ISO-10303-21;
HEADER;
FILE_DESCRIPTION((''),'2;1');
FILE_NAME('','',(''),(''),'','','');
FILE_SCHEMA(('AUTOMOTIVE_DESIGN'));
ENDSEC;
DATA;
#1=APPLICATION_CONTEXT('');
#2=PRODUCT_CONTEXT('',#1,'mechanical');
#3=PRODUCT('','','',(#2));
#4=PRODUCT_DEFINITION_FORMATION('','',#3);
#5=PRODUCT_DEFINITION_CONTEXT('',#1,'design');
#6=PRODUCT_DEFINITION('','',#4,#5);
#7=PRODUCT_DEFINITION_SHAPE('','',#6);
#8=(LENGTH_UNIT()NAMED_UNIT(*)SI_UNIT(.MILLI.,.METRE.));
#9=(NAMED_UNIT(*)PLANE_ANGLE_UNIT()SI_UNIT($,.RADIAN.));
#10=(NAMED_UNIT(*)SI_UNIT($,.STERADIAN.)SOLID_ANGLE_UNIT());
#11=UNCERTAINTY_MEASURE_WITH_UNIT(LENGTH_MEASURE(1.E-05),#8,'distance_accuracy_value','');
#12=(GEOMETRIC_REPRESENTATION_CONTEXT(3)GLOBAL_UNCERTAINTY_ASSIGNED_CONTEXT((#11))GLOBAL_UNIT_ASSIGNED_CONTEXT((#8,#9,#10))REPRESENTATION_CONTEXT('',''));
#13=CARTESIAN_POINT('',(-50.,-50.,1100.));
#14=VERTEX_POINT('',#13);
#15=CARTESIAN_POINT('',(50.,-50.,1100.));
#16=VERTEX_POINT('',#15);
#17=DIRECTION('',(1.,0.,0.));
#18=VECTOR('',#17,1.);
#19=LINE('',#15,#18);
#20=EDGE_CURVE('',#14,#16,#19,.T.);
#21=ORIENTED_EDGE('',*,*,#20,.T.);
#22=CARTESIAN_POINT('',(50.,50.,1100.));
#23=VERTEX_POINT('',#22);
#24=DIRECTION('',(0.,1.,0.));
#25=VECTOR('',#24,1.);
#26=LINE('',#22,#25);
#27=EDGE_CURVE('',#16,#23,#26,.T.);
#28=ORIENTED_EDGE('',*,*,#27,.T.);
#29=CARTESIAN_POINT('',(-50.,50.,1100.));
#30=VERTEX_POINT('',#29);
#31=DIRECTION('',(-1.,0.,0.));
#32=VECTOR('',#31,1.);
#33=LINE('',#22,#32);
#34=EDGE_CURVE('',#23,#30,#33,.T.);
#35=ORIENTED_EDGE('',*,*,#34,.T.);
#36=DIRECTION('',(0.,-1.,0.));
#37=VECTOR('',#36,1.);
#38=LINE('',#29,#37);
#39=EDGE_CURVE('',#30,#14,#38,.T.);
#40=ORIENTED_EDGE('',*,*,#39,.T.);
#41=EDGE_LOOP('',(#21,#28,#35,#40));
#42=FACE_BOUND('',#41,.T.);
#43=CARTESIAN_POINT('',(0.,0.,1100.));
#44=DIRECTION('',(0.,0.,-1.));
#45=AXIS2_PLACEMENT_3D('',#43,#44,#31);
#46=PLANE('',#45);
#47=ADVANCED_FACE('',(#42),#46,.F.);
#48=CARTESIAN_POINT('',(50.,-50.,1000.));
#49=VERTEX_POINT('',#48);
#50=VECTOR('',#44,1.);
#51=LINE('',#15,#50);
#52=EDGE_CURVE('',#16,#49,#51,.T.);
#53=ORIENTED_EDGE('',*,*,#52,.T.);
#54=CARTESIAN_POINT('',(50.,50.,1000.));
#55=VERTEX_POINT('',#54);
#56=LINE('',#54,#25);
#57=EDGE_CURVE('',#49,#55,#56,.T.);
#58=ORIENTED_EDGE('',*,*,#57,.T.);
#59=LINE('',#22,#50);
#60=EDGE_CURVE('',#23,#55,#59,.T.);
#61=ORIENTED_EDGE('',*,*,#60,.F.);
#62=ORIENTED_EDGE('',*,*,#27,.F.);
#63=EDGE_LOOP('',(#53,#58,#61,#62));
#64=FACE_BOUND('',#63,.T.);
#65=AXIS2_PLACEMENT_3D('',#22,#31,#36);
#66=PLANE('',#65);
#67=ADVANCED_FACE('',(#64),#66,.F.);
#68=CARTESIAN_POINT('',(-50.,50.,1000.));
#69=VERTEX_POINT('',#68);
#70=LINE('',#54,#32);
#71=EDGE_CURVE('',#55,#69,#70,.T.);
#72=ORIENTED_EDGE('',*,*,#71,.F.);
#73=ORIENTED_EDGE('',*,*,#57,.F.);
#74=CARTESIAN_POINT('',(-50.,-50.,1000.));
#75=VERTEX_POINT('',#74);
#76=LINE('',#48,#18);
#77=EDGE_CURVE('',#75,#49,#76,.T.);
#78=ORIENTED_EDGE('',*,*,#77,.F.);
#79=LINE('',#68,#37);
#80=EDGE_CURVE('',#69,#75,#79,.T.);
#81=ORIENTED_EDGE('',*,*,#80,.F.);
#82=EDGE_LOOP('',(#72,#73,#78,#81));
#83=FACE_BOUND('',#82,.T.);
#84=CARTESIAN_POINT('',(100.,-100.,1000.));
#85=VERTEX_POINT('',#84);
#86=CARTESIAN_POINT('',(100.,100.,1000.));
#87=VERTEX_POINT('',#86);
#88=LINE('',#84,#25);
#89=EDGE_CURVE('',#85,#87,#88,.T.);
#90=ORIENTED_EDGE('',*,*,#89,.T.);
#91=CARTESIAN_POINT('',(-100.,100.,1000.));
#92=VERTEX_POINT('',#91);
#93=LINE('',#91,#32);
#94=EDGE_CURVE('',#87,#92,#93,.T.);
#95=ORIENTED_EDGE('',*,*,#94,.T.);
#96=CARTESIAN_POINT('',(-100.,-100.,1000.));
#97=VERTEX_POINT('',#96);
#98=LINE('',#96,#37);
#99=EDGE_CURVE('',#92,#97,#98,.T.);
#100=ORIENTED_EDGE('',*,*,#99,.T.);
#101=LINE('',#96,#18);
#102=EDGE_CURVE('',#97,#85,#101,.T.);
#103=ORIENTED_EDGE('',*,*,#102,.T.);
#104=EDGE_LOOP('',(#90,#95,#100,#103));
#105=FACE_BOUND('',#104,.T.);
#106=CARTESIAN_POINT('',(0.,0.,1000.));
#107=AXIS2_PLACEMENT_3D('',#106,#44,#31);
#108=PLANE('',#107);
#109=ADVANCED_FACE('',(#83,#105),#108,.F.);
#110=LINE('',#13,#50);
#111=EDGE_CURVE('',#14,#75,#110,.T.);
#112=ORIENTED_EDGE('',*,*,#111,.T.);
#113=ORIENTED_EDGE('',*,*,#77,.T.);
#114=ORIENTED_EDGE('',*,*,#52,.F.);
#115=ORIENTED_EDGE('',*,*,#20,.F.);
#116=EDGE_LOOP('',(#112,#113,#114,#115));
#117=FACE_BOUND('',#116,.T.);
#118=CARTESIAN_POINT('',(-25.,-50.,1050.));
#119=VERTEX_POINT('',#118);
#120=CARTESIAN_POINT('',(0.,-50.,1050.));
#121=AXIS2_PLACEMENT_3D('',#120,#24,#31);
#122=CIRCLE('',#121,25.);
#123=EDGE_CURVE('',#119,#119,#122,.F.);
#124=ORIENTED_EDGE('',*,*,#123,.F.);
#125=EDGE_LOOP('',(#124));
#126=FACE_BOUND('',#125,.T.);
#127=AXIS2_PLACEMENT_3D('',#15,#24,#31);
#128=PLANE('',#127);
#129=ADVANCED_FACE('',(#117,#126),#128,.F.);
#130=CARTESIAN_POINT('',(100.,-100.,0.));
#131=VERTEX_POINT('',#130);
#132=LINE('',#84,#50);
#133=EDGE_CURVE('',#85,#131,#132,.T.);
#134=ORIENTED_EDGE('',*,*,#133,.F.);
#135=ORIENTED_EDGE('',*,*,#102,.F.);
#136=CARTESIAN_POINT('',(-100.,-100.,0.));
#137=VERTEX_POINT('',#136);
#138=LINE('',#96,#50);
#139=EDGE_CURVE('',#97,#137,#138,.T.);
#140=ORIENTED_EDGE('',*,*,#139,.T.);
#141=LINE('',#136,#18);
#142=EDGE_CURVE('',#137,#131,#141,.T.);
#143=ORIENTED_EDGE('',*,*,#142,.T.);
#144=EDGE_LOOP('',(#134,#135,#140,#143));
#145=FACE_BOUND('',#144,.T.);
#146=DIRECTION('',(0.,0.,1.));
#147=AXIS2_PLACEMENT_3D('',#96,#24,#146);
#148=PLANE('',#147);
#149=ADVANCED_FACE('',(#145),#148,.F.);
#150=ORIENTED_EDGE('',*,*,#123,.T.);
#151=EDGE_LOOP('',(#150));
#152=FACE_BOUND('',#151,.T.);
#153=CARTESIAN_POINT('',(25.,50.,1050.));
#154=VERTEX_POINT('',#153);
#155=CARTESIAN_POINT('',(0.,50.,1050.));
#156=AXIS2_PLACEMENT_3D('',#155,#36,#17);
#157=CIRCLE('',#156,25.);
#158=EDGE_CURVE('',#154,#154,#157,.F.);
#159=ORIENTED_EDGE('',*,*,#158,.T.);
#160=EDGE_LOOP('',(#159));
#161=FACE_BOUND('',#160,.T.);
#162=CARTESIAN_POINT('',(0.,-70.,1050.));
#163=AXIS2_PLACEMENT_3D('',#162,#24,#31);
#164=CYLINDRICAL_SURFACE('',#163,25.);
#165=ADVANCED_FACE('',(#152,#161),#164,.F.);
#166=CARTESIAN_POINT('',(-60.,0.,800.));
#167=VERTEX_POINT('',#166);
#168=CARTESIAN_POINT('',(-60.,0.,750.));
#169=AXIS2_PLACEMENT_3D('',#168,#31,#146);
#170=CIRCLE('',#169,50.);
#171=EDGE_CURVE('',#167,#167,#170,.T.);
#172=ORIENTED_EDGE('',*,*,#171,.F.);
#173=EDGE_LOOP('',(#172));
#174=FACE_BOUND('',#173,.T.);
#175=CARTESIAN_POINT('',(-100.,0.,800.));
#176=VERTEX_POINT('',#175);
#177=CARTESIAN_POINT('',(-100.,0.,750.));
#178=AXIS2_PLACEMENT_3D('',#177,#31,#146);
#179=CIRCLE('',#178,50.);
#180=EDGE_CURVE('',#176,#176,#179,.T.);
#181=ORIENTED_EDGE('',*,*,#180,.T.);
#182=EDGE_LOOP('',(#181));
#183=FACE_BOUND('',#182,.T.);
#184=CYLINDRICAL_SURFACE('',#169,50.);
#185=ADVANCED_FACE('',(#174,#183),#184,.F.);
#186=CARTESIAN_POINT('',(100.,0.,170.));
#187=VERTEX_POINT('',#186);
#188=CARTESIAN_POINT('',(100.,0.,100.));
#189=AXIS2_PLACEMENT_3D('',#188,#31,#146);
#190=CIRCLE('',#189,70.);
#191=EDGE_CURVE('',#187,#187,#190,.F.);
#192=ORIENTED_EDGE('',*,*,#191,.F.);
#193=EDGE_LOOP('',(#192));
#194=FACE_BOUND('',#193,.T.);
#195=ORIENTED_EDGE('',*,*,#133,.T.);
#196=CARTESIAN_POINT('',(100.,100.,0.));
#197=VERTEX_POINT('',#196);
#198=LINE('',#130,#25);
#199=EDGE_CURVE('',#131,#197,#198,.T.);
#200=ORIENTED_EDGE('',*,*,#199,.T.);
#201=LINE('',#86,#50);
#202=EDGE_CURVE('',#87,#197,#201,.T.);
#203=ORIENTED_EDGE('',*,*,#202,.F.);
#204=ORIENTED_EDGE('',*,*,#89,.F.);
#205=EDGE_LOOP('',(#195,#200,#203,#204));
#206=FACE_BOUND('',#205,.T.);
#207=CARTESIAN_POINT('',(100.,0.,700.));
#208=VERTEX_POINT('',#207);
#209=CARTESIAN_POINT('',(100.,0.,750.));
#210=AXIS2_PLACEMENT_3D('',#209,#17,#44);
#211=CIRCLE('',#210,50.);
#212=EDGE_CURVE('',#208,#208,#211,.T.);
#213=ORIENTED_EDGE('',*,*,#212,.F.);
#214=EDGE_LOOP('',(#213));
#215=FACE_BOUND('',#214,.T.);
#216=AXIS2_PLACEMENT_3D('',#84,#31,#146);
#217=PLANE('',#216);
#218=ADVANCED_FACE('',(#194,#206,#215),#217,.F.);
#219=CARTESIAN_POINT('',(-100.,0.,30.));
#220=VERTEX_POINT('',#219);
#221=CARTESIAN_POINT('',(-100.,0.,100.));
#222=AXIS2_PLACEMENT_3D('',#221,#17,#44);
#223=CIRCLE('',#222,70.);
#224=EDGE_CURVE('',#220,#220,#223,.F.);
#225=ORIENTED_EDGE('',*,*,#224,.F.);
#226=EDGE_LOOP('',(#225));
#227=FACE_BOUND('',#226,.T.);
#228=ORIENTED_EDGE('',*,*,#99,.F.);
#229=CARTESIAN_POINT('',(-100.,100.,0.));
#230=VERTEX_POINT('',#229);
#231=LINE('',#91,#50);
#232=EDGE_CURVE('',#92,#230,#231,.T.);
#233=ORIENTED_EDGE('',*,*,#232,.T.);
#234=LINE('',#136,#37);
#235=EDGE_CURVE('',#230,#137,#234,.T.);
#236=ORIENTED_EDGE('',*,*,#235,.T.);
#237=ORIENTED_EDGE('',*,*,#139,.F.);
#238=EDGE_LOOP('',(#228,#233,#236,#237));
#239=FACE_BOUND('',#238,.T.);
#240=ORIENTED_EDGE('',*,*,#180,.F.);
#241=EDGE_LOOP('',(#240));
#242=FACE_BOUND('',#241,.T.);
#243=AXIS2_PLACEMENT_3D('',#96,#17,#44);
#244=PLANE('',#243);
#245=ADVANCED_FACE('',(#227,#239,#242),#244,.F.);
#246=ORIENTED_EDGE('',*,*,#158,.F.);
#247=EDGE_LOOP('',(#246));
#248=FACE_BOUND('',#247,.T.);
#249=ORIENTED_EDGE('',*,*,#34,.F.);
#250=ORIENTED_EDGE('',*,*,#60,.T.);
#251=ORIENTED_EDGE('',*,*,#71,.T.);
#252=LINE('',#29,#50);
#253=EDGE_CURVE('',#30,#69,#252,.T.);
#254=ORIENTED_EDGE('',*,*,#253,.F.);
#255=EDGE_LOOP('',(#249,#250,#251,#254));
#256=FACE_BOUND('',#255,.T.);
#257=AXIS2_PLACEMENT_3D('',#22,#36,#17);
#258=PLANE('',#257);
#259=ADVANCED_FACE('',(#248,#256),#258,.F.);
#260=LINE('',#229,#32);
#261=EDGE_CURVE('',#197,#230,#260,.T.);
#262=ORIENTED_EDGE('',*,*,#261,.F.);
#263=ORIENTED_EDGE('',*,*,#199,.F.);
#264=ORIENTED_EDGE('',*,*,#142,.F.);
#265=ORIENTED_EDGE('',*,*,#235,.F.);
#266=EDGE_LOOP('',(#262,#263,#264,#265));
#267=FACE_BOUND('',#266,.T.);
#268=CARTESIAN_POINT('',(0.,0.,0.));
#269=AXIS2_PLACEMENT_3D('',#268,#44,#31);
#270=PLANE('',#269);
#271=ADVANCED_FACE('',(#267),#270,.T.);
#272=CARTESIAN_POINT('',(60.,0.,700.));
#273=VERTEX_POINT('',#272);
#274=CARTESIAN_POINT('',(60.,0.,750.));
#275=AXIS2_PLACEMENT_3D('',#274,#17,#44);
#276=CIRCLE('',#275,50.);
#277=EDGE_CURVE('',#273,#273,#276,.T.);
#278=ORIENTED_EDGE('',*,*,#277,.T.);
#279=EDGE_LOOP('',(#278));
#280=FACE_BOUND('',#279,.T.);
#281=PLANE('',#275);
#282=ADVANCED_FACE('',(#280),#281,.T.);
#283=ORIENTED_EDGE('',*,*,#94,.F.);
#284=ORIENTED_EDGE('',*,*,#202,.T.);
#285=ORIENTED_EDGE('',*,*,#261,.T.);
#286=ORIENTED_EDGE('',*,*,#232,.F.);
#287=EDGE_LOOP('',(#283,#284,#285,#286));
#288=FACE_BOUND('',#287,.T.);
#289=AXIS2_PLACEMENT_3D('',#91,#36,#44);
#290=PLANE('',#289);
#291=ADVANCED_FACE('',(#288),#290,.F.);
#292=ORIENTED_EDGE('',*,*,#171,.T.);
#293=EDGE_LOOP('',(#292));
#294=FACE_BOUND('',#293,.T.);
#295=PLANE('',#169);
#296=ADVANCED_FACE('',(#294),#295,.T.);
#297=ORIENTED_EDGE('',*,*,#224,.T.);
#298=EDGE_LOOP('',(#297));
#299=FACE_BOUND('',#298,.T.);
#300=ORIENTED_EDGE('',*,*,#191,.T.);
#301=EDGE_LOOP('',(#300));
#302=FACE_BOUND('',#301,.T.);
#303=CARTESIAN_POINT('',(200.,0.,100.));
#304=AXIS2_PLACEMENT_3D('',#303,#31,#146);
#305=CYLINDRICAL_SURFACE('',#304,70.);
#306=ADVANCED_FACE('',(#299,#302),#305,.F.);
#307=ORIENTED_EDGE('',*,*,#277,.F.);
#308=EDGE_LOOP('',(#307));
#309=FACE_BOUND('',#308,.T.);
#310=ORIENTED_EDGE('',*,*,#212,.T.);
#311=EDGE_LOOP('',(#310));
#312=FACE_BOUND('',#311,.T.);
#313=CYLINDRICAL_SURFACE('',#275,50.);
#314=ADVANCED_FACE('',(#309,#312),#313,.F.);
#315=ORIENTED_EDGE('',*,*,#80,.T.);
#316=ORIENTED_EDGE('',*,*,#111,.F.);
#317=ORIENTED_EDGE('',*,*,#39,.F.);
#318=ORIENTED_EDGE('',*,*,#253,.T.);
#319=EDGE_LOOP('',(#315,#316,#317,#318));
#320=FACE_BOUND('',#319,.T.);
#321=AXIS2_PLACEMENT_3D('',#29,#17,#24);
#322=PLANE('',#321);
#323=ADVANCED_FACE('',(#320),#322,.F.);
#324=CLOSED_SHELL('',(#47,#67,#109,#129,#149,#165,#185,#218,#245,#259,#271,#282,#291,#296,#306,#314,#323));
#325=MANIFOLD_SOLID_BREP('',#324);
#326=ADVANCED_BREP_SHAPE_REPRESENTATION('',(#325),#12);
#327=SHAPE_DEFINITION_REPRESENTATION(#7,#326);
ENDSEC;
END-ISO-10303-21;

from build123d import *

# Parameters (mm, degrees)
SKETCH1_W               = 200
SKETCH1_H               = 200
BOSS_EXTRUDE1_DEPTH     = 1000
CUT_EXTRUDE1_DEPTH      = 100
CUT_EXTRUDE1_DEPTH_BACK = 300
SKETCH2_R               = 70
SKETCH3_W               = 100
SKETCH3_H               = 100
BOSS_EXTRUDE2_DEPTH     = 100
CUT_EXTRUDE2_DEPTH      = 20
CUT_EXTRUDE2_DEPTH_BACK = 130
SKETCH4_R               = 25
SKETCH7_R               = 50
CUT_EXTRUDE5_DEPTH      = 40
CUT_EXTRUDE6_START      = -40
SKETCH6_R               = 50
CUT_EXTRUDE6_DEPTH      = 40


with BuildPart() as part:
    # Sketch1 → Boss-Extrude1 (new body)
    with BuildSketch(Plane.XY):
        Rectangle(SKETCH1_W, SKETCH1_H)
    extrude(amount=BOSS_EXTRUDE1_DEPTH)

    # Sketch2 → Cut-Extrude1 (cut, two sides: drawn at the far end of the back side and taken through both)
    with BuildSketch(Plane(origin=(100, 0, 0), x_dir=(0, 0, -1), z_dir=(1, 0, 0)).offset(-CUT_EXTRUDE1_DEPTH_BACK)):
        with Locations(Location((-100, 0, 0), (0, 0, 180))):
            Circle(SKETCH2_R)
    extrude(amount=CUT_EXTRUDE1_DEPTH + CUT_EXTRUDE1_DEPTH_BACK, mode=Mode.SUBTRACT)

    # Sketch3 → Boss-Extrude2 (add)
    with BuildSketch(Plane.XY.offset(1000)):
        Rectangle(SKETCH3_W, SKETCH3_H)
    extrude(amount=BOSS_EXTRUDE2_DEPTH)

    # Sketch4 → Cut-Extrude2 (cut, two sides: drawn at the far end of the back side and taken through both)
    with BuildSketch(Plane(origin=(0, -50, 0), x_dir=(-1, 0, 0), z_dir=(0, -1, 0)).offset(-CUT_EXTRUDE2_DEPTH_BACK)):
        with Locations((0, -1050)):
            Circle(SKETCH4_R)
    extrude(amount=CUT_EXTRUDE2_DEPTH + CUT_EXTRUDE2_DEPTH_BACK, mode=Mode.SUBTRACT)

    # Sketch7 → Cut-Extrude5 (cut)
    with BuildSketch(Plane.ZY.offset(100)):
        with Locations((750, 0)):
            Circle(SKETCH7_R)
    extrude(amount=-CUT_EXTRUDE5_DEPTH, mode=Mode.SUBTRACT)

    # Sketch6 → Cut-Extrude6 (cut)
    with BuildSketch(Plane(origin=(100, 0, 0), x_dir=(0, 0, -1), z_dir=(1, 0, 0)).offset(CUT_EXTRUDE6_START)):
        with Locations(Location((-750, 0, 0), (0, 0, 180))):
            Circle(SKETCH6_R)
    extrude(amount=CUT_EXTRUDE6_DEPTH, mode=Mode.SUBTRACT)


solid = part.part
